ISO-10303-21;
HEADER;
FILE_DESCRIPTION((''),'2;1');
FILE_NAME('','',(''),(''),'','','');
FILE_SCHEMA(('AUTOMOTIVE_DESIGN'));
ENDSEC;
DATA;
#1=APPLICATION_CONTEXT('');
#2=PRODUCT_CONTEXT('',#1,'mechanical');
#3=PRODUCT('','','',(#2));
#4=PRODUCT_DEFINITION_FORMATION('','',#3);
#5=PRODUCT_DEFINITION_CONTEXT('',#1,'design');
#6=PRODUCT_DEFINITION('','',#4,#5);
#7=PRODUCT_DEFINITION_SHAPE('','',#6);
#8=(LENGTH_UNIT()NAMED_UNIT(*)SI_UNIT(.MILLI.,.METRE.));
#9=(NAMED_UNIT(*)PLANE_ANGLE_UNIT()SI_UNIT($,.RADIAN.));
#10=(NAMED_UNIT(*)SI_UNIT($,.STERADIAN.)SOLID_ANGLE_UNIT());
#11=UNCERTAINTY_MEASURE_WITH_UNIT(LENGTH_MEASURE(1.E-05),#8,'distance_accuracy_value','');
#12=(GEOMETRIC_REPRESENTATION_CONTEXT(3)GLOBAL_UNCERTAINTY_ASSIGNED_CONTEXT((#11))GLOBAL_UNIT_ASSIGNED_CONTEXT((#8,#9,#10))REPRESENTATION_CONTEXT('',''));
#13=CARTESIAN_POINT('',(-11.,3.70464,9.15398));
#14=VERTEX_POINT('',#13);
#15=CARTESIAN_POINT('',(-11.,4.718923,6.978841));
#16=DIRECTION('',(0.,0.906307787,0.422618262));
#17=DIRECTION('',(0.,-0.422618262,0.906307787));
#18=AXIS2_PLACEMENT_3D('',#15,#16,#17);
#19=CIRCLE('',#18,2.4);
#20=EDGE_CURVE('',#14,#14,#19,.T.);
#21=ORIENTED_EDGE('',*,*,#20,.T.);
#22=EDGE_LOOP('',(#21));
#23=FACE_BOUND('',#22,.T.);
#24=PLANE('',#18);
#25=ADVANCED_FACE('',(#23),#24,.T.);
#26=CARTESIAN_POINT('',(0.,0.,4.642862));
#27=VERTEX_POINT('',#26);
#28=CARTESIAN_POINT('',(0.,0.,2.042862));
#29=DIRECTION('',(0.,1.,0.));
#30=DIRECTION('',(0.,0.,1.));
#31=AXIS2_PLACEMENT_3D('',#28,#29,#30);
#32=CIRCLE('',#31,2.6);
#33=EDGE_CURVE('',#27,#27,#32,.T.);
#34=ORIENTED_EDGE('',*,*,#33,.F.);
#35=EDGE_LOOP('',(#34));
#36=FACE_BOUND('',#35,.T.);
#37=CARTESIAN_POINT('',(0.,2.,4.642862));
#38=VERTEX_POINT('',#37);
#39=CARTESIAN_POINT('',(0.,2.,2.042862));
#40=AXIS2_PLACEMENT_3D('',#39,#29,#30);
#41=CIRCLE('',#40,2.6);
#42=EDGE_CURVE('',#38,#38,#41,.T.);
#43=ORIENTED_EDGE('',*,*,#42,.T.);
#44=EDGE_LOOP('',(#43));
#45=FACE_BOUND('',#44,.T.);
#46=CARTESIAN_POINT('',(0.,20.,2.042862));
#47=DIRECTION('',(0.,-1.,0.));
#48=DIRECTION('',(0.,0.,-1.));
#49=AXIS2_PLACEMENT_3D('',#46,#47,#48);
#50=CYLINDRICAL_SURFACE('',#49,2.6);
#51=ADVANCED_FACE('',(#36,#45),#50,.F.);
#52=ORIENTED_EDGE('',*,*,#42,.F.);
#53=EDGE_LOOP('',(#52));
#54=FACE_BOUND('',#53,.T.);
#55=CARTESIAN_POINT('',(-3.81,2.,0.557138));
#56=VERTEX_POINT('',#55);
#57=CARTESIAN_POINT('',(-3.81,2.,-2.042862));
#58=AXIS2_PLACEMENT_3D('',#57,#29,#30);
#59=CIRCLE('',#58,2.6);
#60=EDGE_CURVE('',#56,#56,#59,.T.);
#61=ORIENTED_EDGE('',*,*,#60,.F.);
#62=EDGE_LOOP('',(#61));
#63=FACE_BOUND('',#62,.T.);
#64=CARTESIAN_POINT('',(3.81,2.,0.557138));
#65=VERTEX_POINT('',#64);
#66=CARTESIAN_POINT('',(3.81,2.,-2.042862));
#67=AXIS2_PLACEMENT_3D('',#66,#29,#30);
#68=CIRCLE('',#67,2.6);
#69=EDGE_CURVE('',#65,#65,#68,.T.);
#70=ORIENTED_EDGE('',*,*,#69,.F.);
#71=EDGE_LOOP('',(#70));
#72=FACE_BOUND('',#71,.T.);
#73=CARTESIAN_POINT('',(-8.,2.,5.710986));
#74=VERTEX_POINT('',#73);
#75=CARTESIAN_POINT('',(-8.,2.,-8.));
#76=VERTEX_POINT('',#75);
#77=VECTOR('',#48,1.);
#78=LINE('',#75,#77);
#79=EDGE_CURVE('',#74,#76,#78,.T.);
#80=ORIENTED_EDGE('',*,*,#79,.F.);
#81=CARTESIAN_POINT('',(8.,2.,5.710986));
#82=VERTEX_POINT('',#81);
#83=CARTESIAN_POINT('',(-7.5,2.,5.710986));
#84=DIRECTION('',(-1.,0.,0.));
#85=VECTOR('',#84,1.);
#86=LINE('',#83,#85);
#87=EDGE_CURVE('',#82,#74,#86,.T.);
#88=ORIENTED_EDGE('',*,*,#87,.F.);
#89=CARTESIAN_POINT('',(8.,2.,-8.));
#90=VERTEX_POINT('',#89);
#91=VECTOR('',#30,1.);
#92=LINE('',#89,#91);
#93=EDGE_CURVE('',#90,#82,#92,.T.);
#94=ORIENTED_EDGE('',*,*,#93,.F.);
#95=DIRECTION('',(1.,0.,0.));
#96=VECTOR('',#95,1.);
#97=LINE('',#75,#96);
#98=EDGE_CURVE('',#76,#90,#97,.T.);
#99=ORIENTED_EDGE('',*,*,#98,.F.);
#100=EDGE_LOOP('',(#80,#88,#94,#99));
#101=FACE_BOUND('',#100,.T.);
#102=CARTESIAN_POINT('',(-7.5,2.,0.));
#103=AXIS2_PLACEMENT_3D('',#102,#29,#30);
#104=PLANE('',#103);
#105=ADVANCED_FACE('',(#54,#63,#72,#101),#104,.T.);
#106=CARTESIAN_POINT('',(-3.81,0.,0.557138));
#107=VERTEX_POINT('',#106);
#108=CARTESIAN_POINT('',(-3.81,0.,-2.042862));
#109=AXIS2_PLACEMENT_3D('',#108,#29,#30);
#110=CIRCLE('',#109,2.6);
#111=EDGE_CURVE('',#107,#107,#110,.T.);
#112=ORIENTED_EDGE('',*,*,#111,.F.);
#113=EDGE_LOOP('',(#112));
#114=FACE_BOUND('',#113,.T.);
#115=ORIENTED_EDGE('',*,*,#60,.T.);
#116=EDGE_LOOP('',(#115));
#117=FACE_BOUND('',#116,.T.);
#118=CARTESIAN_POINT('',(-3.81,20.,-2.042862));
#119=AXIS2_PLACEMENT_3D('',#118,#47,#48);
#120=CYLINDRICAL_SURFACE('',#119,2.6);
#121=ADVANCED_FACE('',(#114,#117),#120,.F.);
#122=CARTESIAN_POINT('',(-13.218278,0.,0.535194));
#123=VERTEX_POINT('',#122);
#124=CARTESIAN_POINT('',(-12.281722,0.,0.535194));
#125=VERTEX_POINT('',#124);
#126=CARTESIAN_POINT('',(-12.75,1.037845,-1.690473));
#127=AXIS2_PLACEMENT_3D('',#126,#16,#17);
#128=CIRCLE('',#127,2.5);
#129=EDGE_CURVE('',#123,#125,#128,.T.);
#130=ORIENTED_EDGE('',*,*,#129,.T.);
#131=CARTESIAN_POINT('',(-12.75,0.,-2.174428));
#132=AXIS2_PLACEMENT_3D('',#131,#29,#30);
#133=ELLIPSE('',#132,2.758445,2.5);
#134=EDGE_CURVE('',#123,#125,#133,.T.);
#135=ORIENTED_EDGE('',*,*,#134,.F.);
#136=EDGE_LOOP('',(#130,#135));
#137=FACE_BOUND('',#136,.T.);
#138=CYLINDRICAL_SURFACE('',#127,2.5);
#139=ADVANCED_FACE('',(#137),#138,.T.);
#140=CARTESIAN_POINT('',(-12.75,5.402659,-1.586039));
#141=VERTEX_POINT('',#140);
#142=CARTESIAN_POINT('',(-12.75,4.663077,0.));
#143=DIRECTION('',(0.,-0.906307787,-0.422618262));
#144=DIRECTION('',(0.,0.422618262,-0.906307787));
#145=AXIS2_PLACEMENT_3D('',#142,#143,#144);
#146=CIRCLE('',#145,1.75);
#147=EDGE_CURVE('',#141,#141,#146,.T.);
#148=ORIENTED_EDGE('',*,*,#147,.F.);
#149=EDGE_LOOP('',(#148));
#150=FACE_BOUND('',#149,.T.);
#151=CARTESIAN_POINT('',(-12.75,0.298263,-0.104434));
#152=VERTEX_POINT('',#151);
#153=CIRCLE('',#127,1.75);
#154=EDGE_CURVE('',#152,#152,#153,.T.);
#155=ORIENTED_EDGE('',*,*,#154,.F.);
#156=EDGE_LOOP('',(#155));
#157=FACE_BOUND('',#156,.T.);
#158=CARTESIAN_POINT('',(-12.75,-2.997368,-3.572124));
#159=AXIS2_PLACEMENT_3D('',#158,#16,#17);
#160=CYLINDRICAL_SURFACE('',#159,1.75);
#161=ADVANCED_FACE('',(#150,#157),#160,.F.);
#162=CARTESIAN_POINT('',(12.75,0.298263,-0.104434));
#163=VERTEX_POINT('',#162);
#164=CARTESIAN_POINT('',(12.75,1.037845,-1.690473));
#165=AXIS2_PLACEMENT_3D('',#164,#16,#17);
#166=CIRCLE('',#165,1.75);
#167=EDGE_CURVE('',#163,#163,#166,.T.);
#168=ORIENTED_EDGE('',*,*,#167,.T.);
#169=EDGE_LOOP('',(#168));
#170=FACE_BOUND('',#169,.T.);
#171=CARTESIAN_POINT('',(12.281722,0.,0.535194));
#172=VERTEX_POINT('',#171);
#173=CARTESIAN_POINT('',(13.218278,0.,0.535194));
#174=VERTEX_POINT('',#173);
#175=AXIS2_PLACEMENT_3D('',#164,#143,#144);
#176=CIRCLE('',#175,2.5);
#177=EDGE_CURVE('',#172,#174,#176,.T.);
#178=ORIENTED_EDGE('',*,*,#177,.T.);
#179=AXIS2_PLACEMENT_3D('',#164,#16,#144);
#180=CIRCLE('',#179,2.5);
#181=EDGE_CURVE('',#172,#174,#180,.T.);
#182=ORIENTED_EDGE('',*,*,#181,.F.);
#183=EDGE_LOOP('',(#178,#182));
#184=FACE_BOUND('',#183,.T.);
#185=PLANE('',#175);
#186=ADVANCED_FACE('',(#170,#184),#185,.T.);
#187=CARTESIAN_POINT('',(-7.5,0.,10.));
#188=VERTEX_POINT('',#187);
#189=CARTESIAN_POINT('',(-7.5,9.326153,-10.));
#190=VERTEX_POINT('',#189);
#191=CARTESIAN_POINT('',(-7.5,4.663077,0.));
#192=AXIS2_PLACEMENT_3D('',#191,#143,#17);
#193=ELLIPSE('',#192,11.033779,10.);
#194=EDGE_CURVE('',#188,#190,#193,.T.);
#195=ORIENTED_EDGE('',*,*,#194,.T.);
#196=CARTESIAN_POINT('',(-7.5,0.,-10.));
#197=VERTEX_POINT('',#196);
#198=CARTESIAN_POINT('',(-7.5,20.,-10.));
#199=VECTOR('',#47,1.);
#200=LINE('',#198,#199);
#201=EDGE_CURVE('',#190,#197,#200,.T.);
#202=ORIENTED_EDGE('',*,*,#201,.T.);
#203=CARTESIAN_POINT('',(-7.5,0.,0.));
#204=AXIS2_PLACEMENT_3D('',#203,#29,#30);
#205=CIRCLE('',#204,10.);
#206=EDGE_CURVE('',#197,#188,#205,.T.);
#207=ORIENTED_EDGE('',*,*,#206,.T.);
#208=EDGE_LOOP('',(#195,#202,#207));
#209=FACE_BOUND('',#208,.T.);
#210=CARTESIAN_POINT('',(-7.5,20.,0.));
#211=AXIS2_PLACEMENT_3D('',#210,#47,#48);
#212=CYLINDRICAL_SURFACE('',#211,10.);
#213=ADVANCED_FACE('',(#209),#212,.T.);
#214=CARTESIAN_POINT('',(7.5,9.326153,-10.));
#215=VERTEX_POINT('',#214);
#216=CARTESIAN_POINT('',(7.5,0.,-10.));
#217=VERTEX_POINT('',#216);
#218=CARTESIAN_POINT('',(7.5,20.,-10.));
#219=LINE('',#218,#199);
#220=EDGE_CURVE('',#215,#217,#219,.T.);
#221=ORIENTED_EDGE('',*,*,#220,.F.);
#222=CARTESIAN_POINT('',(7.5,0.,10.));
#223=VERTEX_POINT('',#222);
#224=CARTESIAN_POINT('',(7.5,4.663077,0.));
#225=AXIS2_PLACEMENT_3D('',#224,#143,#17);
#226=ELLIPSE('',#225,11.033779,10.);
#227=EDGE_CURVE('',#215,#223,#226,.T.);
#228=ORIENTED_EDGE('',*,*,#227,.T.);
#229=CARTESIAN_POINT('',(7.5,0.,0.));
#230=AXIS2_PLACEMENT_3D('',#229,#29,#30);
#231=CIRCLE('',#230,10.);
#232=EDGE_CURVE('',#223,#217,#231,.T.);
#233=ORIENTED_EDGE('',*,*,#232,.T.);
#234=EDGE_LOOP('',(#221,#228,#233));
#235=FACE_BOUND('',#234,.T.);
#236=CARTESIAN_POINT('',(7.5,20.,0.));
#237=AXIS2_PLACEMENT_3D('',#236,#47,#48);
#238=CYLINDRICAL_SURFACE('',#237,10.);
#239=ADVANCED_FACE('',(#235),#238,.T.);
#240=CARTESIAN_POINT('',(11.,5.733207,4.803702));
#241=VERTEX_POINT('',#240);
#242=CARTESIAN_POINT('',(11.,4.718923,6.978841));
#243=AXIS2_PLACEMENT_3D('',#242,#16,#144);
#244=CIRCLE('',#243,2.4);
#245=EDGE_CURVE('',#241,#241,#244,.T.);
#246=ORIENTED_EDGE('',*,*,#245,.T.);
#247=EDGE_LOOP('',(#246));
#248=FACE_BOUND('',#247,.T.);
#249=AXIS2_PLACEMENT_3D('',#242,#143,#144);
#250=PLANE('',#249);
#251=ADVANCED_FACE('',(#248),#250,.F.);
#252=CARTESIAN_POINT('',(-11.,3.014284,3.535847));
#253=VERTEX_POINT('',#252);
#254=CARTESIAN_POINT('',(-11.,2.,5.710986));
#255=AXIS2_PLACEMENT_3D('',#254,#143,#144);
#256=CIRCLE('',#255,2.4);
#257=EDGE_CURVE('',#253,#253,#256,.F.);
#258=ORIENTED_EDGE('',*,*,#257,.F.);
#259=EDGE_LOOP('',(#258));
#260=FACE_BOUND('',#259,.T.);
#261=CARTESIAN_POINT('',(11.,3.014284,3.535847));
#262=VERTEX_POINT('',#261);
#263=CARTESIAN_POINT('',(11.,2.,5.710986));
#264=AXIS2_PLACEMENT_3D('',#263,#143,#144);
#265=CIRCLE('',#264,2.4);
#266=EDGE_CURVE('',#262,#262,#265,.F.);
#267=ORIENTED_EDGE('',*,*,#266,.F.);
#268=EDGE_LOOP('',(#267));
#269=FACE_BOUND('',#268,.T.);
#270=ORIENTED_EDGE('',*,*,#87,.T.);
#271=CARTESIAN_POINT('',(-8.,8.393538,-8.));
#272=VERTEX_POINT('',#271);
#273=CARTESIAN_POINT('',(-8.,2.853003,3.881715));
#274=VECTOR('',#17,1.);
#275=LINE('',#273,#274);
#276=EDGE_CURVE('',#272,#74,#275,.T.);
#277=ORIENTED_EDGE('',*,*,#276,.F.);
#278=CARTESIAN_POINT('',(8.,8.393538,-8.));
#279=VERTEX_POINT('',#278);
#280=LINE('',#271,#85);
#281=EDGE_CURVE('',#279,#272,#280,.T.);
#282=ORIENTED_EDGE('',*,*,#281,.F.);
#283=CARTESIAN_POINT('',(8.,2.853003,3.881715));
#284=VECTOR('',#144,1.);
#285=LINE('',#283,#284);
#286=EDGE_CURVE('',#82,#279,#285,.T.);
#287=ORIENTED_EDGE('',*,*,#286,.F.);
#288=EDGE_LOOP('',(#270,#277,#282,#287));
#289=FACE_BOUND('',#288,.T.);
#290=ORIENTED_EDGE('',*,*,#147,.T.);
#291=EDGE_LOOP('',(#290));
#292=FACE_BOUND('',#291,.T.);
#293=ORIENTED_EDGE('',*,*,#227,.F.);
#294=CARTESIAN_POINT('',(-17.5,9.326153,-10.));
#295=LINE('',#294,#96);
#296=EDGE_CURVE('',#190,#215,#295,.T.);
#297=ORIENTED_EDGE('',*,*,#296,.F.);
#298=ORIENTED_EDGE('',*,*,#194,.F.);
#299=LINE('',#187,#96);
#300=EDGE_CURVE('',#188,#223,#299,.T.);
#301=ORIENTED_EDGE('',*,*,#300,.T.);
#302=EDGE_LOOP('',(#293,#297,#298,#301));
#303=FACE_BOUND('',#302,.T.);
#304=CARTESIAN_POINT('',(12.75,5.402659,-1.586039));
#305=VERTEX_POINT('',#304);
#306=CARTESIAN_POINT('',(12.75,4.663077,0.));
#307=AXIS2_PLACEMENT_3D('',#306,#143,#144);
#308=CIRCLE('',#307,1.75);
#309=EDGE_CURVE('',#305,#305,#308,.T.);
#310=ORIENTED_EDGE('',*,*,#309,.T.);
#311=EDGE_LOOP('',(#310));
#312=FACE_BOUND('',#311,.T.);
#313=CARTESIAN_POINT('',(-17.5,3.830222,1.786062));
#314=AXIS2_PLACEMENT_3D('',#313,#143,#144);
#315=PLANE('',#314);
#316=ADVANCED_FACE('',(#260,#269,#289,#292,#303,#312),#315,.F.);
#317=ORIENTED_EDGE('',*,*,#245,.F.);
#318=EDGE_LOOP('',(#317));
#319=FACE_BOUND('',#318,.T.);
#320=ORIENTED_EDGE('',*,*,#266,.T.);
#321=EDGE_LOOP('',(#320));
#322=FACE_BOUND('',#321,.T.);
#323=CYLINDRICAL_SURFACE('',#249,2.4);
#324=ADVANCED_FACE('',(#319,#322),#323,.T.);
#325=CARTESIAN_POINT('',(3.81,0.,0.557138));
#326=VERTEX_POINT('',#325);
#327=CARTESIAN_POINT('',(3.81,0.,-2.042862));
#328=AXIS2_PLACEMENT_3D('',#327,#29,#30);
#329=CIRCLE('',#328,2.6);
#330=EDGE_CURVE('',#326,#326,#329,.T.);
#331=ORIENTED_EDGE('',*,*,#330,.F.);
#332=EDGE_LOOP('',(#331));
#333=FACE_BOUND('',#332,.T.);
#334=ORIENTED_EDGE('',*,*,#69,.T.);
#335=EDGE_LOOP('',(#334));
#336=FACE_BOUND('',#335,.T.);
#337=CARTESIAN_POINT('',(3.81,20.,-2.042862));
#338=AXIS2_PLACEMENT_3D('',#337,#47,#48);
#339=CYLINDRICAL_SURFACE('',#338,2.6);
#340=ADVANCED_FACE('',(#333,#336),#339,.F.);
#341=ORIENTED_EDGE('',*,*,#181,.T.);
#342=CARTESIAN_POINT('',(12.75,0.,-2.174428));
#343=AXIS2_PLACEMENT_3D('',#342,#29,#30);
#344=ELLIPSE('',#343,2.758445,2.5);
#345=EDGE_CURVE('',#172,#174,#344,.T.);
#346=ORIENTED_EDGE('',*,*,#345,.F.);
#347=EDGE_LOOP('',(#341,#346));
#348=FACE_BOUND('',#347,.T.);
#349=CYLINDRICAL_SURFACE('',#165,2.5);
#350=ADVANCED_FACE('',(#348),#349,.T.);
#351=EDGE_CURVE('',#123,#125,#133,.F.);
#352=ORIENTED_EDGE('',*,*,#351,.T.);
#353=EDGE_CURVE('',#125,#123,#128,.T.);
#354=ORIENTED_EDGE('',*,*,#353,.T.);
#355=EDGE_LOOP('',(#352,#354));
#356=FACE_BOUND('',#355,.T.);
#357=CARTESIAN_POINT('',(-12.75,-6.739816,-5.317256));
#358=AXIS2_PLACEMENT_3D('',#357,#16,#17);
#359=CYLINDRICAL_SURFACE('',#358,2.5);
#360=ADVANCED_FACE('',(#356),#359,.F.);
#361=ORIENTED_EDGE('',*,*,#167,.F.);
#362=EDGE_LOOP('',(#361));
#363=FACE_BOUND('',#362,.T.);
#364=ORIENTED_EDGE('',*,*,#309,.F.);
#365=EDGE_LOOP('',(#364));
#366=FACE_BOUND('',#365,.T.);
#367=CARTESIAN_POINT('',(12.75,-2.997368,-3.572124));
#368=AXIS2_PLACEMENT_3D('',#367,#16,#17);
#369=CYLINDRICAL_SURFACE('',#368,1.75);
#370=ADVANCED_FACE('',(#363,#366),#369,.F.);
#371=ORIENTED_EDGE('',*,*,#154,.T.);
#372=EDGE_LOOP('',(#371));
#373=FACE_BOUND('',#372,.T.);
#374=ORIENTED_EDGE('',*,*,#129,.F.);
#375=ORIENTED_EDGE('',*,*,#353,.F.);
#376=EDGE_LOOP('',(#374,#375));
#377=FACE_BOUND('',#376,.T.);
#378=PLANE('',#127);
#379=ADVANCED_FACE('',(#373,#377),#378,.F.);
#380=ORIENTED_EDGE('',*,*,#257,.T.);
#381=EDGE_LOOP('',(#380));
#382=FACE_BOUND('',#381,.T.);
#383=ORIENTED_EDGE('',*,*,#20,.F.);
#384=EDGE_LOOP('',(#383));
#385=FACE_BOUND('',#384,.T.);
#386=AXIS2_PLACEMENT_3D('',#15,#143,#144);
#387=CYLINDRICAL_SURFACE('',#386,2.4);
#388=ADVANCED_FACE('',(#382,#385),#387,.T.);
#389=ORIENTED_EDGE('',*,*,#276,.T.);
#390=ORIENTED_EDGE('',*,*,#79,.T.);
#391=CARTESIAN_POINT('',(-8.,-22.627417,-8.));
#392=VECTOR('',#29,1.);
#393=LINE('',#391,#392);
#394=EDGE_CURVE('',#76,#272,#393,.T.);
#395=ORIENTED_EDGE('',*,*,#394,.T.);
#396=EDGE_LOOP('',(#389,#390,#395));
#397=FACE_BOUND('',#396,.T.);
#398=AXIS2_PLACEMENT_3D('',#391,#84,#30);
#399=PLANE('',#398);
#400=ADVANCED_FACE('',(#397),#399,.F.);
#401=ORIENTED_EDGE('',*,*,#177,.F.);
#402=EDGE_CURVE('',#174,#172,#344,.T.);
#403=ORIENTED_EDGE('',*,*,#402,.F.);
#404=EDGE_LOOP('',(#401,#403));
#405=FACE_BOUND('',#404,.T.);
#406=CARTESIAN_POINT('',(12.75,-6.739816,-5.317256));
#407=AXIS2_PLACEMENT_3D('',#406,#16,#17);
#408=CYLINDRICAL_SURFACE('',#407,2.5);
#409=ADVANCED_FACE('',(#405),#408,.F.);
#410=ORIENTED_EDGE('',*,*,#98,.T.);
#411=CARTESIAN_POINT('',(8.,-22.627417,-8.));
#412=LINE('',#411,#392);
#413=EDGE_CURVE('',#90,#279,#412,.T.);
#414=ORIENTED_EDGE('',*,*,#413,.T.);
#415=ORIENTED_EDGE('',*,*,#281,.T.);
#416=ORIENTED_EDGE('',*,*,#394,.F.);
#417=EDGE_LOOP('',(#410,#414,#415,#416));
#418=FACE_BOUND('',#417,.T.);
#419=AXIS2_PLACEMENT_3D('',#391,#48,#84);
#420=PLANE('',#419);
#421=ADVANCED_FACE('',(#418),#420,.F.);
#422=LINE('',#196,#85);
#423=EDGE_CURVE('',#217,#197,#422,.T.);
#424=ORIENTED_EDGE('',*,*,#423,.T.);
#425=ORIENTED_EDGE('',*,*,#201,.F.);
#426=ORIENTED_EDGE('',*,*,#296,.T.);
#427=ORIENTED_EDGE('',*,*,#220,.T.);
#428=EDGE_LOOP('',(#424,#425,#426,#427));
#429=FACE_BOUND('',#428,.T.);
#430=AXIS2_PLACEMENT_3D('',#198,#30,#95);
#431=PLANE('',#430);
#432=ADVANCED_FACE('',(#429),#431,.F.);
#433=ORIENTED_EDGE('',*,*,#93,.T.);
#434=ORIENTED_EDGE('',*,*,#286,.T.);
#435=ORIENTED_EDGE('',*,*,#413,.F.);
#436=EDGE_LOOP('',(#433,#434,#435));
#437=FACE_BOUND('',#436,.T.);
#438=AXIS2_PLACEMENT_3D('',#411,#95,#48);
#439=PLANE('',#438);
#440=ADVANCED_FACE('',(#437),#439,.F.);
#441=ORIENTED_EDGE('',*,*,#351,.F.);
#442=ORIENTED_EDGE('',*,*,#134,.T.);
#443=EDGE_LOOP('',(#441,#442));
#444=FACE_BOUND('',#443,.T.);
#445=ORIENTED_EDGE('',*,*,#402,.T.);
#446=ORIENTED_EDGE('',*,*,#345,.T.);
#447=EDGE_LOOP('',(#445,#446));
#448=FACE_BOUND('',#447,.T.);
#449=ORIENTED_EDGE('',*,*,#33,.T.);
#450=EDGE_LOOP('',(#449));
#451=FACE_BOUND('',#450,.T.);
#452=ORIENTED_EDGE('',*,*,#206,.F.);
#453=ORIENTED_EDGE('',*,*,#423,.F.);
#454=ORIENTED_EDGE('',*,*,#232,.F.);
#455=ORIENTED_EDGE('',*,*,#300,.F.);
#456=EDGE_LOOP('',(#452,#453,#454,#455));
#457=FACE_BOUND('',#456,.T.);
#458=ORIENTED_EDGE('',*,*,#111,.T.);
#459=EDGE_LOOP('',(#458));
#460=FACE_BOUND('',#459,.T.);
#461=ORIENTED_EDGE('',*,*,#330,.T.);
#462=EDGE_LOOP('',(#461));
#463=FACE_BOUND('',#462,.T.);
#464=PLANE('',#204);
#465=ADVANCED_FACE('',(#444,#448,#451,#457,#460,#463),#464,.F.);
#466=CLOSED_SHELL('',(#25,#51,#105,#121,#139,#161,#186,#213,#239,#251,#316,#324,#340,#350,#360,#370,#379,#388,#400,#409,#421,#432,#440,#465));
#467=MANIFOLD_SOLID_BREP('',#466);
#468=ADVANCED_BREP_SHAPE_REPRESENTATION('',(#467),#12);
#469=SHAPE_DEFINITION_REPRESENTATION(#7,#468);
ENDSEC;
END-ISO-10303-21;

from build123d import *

# Parameters (mm, degrees)
SKETCH1_R               = 2.6
BOSS_EXTRUDE3_DEPTH     = 20
SKETCH2_W               = 16
SKETCH2_H               = 16
CUT_EXTRUDE1_DEPTH      = 18
CUT_EXTRUDE2_DEPTH      = 34.915335764
CUT_EXTRUDE2_DEPTH_BACK = 34.915335764
CUT_EXTRUDE3_DEPTH      = 22.802901488
CUT_EXTRUDE3_DEPTH_BACK = 22.802901488
SKETCH5_R               = 1.75
SKETCH7_R               = 2.5
SKETCH7_R_2             = 1.75
BOSS_EXTRUDE4_DEPTH     = 4
CUT_EXTRUDE6_START      = -6.310905
SKETCH7_5_R             = 2.5
SKETCH7_5_R_2           = 1.75
CUT_EXTRUDE6_DEPTH      = 2.310905
SKETCH9_R               = 2.4
BOSS_EXTRUDE5_DEPTH     = 3


with BuildPart() as part:
    # Sketch1 → Boss-Extrude3 (new body)
    with BuildSketch(Plane(origin=(0, 0, 0), x_dir=(1, 0, 0), z_dir=(0, 1, 0))):
        with BuildLine():
            Line((-7.5, 10), (7.5, 10))
            ThreePointArc((7.5, 10), (17.5, 0), (7.5, -10))
            Line((7.5, -10), (-7.5, -10))
            ThreePointArc((-7.5, -10), (-17.5, 0), (-7.5, 10))
        make_face()
        with Locations(Location((-3.81, 2.042862393, 0), (0, 0, 270))):
            Circle(SKETCH1_R, mode=Mode.SUBTRACT)
        with Locations(Location((3.81, 2.042862393, 0), (0, 0, 270))):
            Circle(SKETCH1_R, mode=Mode.SUBTRACT)
        with Locations(Location((0, -2.042862393, 0), (0, 0, 270))):
            Circle(SKETCH1_R, mode=Mode.SUBTRACT)
    extrude(amount=BOSS_EXTRUDE3_DEPTH)

    # Sketch2 → Cut-Extrude1 (cut)
    with BuildSketch(Plane(origin=(0, 20, 0), x_dir=(1, 0, 0), z_dir=(0, 1, 0))):
        Rectangle(SKETCH2_W, SKETCH2_H)
    extrude(amount=-CUT_EXTRUDE1_DEPTH, mode=Mode.SUBTRACT)

    # Sketch4 → Cut-Extrude2 (cut, two sides: drawn at the far end of the back side and taken through both)
    with BuildSketch(Plane(origin=(-8, 0, 0), x_dir=(0, 0, -1), z_dir=(1, 0, 0)).offset(-CUT_EXTRUDE2_DEPTH_BACK)):
        Polygon((-8, 2), (-5.710986159, 2), (8, 8.393537847), (8, 20), (-8, 20), align=None)
        Polygon((8, 20), (8, 8.393537847), (10, 9.326153163), (10, 20), align=None)
        Polygon((-10, 20), (-10, 0), (-5.710986159, 2), (-8, 2), (-8, 20), align=None)
    extrude(amount=CUT_EXTRUDE2_DEPTH + CUT_EXTRUDE2_DEPTH_BACK, mode=Mode.SUBTRACT)

    # Sketch5 → Cut-Extrude3 (cut, two sides: drawn at the far end of the back side and taken through both)
    with BuildSketch(Plane(origin=(0, 3.830222216, 1.786061952), x_dir=(1, 0, 0), z_dir=(0, 0.9063077870366478, 0.42261826174070405)).offset(-CUT_EXTRUDE3_DEPTH_BACK)):
        with Locations(Location((-12.75, 1.970701319, 0), (0, 0, 270))):
            Circle(SKETCH5_R)
        with Locations(Location((12.75, 1.970701319, 0), (0, 0, 270))):
            Circle(SKETCH5_R)
    extrude(amount=CUT_EXTRUDE3_DEPTH + CUT_EXTRUDE3_DEPTH_BACK, mode=Mode.SUBTRACT)

    # Sketch7 → Boss-Extrude4 (add)
    # profile 1 of 2: a face of its own
    with BuildSketch(Plane(origin=(0, 3.830222216, 1.786061952), x_dir=(1, 0, 0), z_dir=(0, 0.9063077870366478, 0.42261826174070405))):
        with Locations((-12.75, 1.970701319)):
            Circle(SKETCH7_R)
        with Locations(Location((-12.75, 1.970701319, 0), (0, 0, 270))):
            Circle(SKETCH7_R_2, mode=Mode.SUBTRACT)
    # profile 2 of 2: a face of its own
    with BuildSketch(Plane(origin=(0, 3.830222216, 1.786061952), x_dir=(1, 0, 0), z_dir=(0, 0.9063077870366478, 0.42261826174070405))):
        with Locations((12.75, 1.970701319)):
            Circle(SKETCH7_R)
        with Locations(Location((12.75, 1.970701319, 0), (0, 0, 270))):
            Circle(SKETCH7_R_2, mode=Mode.SUBTRACT)
    extrude(amount=-BOSS_EXTRUDE4_DEPTH)

    # Sketch7<5> → Cut-Extrude6 (cut)
    # profile 1 of 2: a face of its own
    with BuildSketch(Plane(origin=(0, 3.830222216, 1.786061952), x_dir=(1, 0, 0), z_dir=(0, 0.9063077870366478, 0.42261826174070405)).offset(CUT_EXTRUDE6_START)):
        with Locations((-12.75, 1.970701319)):
            Circle(SKETCH7_5_R)
        with Locations(Location((-12.75, 1.970701319, 0), (0, 0, 270))):
            Circle(SKETCH7_5_R_2, mode=Mode.SUBTRACT)
    # profile 2 of 2: a face of its own
    with BuildSketch(Plane(origin=(0, 3.830222216, 1.786061952), x_dir=(1, 0, 0), z_dir=(0, 0.9063077870366478, 0.42261826174070405)).offset(CUT_EXTRUDE6_START)):
        with Locations((12.75, 1.970701319)):
            Circle(SKETCH7_5_R)
        with Locations(Location((12.75, 1.970701319, 0), (0, 0, 270))):
            Circle(SKETCH7_5_R_2, mode=Mode.SUBTRACT)
    extrude(amount=CUT_EXTRUDE6_DEPTH, mode=Mode.SUBTRACT)

    # Sketch9 → Boss-Extrude5 (add)
    with BuildSketch(Plane(origin=(0, 3.830222216, 1.786061952), x_dir=(1, 0, 0), z_dir=(0, 0.9063077870366478, 0.4226182617407042))):
        with Locations(Location((-11, -4.330674704, 0), (0, 0, 90))):
            Circle(SKETCH9_R)
        with Locations(Location((11, -4.330674704, 0), (0, 0, 90))):
            Circle(SKETCH9_R)
    extrude(amount=BOSS_EXTRUDE5_DEPTH)


solid = part.part
